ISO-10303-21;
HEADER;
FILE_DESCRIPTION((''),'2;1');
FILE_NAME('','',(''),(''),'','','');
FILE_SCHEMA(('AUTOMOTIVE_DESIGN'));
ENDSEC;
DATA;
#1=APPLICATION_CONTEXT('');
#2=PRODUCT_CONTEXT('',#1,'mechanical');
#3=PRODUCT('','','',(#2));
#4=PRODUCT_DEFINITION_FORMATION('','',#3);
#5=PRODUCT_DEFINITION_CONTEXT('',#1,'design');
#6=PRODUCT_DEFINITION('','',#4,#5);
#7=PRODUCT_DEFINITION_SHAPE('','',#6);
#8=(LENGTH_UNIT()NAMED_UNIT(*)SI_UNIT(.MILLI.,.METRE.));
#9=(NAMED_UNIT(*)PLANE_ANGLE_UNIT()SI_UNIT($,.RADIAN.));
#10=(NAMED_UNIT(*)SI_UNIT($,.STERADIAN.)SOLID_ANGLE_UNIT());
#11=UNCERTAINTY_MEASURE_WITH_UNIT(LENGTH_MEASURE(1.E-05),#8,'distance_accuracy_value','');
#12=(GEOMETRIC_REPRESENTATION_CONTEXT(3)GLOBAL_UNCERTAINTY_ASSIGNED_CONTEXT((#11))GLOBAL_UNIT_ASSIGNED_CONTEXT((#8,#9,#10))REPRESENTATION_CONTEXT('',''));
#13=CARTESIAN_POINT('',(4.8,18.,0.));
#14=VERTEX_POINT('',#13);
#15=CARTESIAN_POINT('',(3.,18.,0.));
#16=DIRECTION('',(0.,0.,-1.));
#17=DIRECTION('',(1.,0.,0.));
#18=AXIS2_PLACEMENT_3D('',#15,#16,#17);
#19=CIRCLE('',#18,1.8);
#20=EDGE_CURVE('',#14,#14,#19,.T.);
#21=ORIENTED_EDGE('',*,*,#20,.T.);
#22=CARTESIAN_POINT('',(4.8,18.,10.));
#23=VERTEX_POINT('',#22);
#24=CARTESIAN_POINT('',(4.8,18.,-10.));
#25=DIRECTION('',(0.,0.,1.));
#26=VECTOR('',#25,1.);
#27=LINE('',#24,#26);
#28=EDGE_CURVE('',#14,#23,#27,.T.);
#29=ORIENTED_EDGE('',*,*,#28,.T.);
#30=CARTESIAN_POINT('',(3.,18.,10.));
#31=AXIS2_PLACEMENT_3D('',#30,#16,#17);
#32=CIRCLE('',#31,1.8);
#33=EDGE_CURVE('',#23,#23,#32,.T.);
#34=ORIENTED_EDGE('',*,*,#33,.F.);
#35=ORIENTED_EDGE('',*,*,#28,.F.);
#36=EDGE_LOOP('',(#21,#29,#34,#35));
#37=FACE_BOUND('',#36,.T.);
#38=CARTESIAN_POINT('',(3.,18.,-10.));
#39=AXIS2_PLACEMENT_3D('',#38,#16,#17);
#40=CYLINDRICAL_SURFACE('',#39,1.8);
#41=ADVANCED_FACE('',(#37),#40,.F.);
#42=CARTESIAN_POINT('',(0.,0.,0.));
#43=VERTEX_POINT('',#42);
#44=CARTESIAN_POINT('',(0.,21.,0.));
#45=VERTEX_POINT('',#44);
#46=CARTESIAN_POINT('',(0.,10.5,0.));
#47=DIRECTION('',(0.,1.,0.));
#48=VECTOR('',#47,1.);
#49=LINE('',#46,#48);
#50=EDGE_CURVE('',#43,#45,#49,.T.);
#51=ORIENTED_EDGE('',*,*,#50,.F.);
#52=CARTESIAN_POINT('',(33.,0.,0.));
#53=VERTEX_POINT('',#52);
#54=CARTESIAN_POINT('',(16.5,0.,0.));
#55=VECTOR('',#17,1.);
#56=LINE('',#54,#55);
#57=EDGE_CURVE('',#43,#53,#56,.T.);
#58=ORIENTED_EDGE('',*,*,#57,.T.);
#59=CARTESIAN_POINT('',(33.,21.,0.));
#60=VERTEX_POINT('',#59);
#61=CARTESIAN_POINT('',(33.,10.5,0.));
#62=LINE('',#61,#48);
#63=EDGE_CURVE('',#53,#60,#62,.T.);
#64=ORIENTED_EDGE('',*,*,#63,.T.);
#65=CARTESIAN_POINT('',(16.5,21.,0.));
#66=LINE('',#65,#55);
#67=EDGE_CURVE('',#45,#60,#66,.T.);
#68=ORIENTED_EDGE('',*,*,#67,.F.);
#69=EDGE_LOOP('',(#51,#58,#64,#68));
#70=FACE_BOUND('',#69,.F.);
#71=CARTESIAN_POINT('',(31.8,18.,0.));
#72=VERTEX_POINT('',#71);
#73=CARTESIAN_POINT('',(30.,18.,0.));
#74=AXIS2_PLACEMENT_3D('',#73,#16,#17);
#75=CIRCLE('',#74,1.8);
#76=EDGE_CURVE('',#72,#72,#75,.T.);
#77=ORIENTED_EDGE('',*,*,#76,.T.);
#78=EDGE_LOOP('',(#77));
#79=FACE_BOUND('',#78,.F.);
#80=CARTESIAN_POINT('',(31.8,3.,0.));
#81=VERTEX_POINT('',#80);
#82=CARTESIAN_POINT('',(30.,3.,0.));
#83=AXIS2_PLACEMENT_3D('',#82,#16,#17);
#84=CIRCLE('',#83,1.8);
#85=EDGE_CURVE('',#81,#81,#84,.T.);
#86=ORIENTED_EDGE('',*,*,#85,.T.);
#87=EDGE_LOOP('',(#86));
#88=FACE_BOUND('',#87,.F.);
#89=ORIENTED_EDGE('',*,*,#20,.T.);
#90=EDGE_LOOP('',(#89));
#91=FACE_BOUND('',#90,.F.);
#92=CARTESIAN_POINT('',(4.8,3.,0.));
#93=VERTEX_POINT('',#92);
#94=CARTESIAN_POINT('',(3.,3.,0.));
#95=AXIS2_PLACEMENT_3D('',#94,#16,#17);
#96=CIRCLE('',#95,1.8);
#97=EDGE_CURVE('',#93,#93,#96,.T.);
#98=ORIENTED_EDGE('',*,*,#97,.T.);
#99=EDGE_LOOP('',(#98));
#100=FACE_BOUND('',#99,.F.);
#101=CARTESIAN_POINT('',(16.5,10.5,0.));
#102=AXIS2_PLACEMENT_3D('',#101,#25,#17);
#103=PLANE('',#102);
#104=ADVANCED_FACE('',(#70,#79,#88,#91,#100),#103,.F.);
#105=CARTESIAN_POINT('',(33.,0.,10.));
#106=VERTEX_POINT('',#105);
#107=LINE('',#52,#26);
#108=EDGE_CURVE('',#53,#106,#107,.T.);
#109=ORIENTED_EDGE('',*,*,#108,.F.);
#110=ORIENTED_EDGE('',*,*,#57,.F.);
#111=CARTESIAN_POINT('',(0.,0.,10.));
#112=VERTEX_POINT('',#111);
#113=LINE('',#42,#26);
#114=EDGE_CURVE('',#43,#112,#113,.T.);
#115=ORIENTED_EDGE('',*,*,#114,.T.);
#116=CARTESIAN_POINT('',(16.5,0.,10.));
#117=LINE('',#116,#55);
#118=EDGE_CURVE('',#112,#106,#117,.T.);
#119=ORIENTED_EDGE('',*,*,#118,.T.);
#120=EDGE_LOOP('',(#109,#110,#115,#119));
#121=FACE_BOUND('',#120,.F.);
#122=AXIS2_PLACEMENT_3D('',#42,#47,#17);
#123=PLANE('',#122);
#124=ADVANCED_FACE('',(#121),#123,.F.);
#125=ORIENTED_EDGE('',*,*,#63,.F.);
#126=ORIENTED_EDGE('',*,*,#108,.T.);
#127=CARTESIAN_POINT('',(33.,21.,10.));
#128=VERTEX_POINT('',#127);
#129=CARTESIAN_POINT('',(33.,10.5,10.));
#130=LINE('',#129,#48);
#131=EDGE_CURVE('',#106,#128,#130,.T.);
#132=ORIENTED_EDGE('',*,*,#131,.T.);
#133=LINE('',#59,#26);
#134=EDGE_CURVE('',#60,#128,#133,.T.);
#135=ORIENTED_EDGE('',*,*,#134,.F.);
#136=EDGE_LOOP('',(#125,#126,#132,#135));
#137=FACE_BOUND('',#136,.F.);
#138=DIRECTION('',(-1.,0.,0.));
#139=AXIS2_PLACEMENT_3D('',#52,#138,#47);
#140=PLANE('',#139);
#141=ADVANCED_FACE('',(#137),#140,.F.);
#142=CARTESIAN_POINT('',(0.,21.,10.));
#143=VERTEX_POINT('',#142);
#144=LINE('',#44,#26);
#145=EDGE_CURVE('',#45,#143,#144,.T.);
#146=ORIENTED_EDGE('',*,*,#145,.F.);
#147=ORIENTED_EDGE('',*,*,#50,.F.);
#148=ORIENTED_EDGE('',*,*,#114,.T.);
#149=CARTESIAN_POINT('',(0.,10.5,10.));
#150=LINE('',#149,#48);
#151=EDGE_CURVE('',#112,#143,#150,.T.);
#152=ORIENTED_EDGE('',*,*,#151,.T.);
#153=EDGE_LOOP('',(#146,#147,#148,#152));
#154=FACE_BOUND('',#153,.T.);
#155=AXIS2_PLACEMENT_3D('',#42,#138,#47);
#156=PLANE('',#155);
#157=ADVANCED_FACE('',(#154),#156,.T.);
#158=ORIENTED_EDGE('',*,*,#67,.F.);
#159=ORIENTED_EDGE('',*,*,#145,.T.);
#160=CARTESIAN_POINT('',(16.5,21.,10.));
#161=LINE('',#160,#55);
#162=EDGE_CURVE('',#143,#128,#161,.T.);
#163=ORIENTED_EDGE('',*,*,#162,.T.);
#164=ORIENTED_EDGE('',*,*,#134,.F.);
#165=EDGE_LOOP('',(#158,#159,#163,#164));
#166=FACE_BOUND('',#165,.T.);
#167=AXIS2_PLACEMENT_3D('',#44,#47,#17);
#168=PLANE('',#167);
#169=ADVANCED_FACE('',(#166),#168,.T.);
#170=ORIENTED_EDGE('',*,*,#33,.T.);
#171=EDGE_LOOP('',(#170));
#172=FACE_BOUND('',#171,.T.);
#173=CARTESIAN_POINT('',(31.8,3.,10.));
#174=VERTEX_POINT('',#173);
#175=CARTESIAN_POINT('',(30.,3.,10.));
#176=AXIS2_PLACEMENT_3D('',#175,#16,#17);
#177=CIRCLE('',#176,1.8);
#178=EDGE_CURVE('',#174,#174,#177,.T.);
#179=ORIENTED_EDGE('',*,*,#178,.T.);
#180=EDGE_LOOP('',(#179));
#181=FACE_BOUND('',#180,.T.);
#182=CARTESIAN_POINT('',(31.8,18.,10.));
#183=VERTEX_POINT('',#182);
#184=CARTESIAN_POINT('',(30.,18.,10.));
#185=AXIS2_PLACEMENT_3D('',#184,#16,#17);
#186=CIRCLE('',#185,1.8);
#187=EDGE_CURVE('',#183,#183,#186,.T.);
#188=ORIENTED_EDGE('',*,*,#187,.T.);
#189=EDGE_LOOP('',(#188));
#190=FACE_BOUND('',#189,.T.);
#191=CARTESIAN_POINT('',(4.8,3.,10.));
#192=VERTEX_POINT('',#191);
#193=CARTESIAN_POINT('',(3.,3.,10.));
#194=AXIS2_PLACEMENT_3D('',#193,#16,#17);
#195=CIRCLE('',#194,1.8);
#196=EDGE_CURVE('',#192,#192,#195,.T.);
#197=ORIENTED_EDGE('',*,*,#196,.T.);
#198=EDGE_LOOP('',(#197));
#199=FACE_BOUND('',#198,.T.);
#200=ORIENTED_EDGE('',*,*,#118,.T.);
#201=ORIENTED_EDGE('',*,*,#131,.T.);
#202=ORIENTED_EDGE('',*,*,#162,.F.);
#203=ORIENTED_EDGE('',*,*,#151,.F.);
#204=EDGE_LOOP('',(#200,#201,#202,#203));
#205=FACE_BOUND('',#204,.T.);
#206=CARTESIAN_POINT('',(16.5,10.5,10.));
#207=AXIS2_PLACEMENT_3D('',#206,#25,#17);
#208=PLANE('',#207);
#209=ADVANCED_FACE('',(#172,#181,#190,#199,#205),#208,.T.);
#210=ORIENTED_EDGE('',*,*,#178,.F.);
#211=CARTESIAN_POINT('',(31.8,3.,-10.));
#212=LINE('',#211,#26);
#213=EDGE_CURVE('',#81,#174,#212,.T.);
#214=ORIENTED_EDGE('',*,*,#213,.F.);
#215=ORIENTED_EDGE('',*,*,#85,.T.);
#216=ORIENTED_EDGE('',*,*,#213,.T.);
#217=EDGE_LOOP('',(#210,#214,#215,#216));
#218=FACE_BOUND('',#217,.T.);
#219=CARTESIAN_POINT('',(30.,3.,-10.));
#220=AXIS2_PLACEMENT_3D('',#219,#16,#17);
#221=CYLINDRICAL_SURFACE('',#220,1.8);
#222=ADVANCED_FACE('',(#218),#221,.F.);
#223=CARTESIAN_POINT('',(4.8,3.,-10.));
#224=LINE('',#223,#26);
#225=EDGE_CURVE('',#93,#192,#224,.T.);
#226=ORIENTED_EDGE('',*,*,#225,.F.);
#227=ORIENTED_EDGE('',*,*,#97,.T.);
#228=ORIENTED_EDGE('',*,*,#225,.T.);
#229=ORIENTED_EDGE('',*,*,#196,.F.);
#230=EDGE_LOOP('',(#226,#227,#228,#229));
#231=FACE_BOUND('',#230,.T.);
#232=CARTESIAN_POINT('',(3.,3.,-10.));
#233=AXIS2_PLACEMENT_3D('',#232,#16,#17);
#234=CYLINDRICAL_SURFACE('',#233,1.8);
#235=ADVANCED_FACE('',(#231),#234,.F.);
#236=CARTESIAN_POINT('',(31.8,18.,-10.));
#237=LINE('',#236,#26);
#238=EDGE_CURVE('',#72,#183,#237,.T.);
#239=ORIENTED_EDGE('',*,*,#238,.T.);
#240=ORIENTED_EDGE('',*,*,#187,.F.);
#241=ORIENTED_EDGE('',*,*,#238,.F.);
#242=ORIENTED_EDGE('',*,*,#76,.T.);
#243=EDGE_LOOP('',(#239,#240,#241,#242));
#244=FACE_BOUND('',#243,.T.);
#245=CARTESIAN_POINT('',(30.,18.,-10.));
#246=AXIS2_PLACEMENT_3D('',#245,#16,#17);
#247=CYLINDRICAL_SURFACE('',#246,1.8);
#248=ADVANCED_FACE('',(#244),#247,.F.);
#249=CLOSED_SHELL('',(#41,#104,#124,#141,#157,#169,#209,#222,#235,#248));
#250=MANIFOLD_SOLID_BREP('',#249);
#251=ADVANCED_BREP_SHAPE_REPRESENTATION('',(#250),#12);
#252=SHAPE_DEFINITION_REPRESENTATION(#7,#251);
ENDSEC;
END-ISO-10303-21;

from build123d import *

# Parameters (mm, degrees)
CYLINDER002_R     = 1.8
CYLINDER002_DEPTH = 50
ARRAY002_X_COUNT  = 2
ARRAY002_X_PITCH  = 27
ARRAY002_Y_COUNT  = 2
ARRAY002_Y_PITCH  = 15
BOX003_W          = 33
BOX003_H          = 21
BOX003_DEPTH      = 10


with BuildPart() as array002:
    # Cylinder002 → Cylinder002 (new body)
    with BuildSketch(Plane(origin=(3, 3, -10), x_dir=(1, 0, 0), z_dir=(0, 0, 1))):
        Circle(CYLINDER002_R)
    extrude(amount=CYLINDER002_DEPTH)

    # Array002 X: Array002 ×2


with BuildPart() as array002_1:
    add(array002.part)
    with Locations(*[(i * ARRAY002_X_PITCH, 0, 0) for i in range(1, ARRAY002_X_COUNT)]):
        add(array002.part)

    # Array002 Y: Array002 ×2


with BuildPart() as array002_2:
    add(array002_1.part)
    with Locations(*[(0, i * ARRAY002_Y_PITCH, 0) for i in range(1, ARRAY002_Y_COUNT)]):
        add(array002_1.part)


with BuildPart() as cut002:
    # Box003 → Box003 (new body)
    with BuildSketch(Plane.XY):
        with Locations((16.5, 10.5)):
            Rectangle(BOX003_W, BOX003_H)
    extrude(amount=BOX003_DEPTH)

    # Cut002: cut Array002
    add(array002_2.part, mode=Mode.SUBTRACT)


solid = cut002.part
